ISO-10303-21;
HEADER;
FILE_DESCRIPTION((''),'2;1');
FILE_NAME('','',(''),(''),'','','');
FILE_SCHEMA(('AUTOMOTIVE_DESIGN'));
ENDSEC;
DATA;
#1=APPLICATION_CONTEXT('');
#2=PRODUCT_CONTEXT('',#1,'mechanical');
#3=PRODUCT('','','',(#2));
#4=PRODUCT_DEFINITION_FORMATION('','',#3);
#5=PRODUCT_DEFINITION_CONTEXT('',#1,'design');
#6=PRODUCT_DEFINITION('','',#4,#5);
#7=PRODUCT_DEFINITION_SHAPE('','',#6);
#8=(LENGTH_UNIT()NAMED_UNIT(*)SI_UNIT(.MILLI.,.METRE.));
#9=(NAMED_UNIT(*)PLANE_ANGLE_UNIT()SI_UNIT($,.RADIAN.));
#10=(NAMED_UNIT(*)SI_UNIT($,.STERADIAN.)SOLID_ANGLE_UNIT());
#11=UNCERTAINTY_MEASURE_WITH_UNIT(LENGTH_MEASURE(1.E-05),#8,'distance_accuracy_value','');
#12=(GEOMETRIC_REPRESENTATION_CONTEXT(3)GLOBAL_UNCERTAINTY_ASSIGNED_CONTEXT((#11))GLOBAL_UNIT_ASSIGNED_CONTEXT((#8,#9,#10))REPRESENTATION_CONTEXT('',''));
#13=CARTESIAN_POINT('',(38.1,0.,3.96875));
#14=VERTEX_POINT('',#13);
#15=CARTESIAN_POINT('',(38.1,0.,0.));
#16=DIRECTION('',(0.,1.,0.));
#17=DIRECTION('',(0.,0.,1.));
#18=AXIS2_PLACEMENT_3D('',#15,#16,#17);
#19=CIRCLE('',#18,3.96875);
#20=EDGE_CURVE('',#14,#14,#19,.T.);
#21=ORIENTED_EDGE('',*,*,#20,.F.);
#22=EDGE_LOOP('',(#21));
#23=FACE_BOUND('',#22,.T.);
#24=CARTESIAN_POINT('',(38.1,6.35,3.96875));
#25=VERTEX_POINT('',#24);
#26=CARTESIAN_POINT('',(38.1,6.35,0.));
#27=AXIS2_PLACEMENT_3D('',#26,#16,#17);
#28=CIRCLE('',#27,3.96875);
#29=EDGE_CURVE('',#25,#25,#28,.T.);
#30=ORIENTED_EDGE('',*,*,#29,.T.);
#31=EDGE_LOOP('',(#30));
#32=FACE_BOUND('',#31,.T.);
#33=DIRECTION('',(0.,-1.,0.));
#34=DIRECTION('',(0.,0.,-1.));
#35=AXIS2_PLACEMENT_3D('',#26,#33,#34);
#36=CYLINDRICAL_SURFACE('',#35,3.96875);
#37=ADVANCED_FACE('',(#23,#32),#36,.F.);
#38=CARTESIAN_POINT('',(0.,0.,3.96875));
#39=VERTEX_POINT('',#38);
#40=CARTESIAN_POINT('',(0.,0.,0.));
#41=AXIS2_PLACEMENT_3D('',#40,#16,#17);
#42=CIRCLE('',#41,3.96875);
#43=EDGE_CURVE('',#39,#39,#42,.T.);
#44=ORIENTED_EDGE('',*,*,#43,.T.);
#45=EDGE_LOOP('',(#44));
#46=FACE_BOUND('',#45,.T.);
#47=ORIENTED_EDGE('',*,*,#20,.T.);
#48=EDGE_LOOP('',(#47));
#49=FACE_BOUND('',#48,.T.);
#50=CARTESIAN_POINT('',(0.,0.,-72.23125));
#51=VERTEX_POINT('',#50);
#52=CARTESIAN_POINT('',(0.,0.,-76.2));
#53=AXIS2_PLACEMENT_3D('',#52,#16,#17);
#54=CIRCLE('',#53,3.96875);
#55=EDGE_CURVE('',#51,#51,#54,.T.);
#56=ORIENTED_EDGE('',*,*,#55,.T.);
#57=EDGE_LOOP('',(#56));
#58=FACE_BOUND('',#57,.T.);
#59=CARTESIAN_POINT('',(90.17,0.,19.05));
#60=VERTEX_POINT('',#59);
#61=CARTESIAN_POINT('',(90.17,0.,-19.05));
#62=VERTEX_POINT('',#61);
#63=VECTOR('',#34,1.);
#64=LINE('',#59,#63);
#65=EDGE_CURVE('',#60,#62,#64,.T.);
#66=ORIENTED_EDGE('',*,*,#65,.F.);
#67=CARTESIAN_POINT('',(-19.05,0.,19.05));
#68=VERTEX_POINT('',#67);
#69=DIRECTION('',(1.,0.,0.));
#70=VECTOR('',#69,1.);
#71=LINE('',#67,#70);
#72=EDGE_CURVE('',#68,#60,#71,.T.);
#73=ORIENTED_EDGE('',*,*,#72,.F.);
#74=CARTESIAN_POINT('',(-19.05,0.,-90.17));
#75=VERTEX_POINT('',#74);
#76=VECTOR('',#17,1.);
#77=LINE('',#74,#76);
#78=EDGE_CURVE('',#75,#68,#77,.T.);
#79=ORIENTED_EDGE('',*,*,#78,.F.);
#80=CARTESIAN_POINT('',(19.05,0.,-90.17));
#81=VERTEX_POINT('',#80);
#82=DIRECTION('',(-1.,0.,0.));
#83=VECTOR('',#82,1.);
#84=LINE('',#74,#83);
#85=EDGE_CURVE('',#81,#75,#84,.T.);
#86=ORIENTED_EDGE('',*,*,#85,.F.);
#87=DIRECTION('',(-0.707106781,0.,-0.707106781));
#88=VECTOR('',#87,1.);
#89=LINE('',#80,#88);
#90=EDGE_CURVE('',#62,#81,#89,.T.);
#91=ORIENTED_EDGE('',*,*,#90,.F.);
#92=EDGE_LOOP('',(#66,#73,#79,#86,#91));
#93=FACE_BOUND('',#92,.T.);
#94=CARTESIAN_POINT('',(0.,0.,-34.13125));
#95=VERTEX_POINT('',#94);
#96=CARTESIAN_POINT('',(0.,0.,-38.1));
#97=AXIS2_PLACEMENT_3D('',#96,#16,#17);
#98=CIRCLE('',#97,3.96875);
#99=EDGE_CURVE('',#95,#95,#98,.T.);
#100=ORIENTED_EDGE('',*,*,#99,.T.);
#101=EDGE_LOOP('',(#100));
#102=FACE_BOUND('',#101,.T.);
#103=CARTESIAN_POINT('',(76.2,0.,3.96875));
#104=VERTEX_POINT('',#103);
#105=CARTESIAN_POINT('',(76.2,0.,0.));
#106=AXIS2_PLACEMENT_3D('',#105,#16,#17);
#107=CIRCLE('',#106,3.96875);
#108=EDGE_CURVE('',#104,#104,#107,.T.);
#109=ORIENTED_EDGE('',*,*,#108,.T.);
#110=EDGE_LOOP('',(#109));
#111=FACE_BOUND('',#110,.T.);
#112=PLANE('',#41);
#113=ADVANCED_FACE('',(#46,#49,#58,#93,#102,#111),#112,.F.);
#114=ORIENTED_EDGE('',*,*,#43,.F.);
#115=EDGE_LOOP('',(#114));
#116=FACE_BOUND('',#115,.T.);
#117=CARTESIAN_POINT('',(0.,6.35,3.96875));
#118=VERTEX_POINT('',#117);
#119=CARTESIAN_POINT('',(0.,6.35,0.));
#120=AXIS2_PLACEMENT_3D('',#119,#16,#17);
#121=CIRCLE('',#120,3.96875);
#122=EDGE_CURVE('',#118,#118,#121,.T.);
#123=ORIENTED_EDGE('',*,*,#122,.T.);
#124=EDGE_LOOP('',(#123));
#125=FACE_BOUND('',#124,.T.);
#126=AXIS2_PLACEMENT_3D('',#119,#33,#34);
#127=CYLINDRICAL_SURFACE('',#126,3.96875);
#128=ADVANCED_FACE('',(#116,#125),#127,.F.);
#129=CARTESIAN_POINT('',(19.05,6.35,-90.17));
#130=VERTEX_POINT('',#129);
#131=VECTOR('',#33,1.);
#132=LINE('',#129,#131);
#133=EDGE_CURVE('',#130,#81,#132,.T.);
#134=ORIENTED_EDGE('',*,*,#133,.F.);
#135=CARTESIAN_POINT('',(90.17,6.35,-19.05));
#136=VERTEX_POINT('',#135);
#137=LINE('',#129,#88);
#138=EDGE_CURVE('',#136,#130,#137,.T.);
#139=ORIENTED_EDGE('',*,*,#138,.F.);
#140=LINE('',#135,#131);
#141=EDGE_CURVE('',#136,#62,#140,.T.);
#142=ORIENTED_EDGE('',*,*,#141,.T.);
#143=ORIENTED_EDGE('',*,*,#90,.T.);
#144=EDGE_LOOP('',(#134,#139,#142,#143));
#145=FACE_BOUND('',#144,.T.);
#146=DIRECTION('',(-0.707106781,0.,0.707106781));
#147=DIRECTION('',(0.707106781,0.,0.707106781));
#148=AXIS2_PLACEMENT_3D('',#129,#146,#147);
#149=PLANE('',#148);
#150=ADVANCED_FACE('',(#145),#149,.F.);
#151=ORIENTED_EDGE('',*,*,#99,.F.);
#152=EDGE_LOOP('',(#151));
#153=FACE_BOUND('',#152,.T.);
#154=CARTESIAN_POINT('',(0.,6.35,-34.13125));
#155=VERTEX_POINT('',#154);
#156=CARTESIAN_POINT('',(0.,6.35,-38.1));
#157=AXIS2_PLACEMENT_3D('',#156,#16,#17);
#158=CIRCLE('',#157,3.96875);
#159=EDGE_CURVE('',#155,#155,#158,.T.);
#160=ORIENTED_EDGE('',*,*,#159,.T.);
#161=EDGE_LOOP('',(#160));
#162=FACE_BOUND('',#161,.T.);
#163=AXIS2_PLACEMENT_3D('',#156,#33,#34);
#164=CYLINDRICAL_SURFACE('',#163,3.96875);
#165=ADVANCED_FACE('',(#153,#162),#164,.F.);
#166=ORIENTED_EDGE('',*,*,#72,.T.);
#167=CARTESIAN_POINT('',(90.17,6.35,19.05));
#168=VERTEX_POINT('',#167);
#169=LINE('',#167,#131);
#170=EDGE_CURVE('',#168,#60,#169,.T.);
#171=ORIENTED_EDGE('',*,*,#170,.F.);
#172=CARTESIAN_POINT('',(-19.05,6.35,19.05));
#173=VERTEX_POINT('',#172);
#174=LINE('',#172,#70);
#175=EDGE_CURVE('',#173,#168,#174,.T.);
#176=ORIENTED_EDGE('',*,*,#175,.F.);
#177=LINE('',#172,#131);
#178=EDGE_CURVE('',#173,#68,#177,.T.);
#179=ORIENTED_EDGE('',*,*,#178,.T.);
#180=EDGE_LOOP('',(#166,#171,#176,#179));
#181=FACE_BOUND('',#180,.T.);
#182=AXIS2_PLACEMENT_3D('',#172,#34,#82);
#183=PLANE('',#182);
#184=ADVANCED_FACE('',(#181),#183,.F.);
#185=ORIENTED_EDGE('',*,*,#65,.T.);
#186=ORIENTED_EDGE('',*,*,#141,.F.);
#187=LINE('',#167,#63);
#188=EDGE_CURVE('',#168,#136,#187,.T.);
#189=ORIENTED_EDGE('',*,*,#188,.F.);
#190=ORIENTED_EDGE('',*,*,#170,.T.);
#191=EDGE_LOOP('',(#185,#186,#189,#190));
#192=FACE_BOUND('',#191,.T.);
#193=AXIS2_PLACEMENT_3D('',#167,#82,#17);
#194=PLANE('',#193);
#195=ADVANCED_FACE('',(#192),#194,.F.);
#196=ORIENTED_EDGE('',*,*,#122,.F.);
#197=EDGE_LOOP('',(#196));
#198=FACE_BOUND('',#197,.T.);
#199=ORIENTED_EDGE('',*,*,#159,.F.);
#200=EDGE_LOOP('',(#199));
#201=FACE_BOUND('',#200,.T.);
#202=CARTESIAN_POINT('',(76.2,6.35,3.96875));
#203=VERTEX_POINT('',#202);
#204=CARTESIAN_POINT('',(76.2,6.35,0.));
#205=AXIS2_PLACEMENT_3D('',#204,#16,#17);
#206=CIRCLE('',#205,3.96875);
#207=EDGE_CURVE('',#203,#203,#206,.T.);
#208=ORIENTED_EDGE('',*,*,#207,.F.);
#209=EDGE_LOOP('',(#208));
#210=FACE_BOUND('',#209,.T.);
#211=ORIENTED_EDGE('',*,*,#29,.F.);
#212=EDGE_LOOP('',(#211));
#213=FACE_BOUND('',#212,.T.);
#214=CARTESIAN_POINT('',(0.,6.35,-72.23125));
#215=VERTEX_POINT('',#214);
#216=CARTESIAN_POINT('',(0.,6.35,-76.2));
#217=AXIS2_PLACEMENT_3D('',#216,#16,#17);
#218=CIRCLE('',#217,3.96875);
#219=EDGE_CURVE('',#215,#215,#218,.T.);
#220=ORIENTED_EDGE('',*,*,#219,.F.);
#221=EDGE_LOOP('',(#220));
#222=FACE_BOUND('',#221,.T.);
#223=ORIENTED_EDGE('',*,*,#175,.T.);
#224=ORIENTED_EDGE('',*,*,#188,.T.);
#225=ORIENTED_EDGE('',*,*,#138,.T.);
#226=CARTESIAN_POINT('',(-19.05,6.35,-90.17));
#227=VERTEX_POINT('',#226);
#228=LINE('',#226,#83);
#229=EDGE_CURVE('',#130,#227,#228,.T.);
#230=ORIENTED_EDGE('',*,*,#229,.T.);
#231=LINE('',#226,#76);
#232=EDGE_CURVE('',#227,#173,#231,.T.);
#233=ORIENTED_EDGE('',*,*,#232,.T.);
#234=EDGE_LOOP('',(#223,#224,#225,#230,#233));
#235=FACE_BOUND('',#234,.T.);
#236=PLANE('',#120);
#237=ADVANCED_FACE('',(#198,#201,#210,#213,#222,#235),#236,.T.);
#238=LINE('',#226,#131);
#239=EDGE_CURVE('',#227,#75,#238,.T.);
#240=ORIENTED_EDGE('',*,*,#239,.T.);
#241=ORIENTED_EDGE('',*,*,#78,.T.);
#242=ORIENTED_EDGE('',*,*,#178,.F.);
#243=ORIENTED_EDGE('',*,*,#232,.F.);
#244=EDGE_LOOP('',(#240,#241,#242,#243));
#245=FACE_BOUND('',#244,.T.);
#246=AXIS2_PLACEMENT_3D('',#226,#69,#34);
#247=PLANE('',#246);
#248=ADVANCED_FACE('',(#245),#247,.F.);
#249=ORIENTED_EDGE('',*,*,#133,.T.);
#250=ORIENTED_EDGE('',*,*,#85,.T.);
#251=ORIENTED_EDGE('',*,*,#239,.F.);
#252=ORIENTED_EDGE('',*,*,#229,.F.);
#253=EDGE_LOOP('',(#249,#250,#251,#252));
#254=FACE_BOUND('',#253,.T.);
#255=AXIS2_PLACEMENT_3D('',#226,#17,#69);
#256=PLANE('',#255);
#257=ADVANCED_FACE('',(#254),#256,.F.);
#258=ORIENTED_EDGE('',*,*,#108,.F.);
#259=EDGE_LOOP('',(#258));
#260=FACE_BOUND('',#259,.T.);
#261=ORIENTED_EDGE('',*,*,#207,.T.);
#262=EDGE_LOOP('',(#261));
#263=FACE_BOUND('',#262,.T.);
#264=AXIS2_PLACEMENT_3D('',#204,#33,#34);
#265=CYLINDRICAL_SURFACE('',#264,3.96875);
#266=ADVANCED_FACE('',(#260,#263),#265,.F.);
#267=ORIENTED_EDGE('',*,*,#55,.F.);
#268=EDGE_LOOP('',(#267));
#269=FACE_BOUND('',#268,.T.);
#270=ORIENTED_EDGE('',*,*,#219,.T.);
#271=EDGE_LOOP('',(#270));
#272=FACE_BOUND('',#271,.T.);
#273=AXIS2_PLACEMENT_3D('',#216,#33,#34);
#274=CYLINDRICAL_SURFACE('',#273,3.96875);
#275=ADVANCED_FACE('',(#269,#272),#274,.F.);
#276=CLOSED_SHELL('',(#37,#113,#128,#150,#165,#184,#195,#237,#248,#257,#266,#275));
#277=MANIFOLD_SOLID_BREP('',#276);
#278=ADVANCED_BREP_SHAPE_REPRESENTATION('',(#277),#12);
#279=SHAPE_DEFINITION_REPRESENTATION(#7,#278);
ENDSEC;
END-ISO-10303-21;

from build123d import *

# Parameters (mm, degrees)
SKETCH1_R           = 3.96875
BOSS_EXTRUDE3_DEPTH = 6.35


with BuildPart() as part:
    # Sketch1 → Boss-Extrude3 (new body)
    with BuildSketch(Plane(origin=(0, 0, 0), x_dir=(1, 0, 0), z_dir=(0, 1, 0))):
        Polygon((-19.05, 90.17), (19.05, 90.17), (90.17, 19.05), (90.17, -19.05), (-19.05, -19.05), align=None)
        with Locations(Location((0, 0, 0), (0, 0, 270))):
            Circle(SKETCH1_R, mode=Mode.SUBTRACT)
        with Locations(Location((38.1, 0, 0), (0, 0, 270))):
            Circle(SKETCH1_R, mode=Mode.SUBTRACT)
        with Locations(Location((76.2, 0, 0), (0, 0, 270))):
            Circle(SKETCH1_R, mode=Mode.SUBTRACT)
        with Locations(Location((0, 38.1, 0), (0, 0, 270))):
            Circle(SKETCH1_R, mode=Mode.SUBTRACT)
        with Locations(Location((0, 76.2, 0), (0, 0, 270))):
            Circle(SKETCH1_R, mode=Mode.SUBTRACT)
    extrude(amount=BOSS_EXTRUDE3_DEPTH)


solid = part.part
